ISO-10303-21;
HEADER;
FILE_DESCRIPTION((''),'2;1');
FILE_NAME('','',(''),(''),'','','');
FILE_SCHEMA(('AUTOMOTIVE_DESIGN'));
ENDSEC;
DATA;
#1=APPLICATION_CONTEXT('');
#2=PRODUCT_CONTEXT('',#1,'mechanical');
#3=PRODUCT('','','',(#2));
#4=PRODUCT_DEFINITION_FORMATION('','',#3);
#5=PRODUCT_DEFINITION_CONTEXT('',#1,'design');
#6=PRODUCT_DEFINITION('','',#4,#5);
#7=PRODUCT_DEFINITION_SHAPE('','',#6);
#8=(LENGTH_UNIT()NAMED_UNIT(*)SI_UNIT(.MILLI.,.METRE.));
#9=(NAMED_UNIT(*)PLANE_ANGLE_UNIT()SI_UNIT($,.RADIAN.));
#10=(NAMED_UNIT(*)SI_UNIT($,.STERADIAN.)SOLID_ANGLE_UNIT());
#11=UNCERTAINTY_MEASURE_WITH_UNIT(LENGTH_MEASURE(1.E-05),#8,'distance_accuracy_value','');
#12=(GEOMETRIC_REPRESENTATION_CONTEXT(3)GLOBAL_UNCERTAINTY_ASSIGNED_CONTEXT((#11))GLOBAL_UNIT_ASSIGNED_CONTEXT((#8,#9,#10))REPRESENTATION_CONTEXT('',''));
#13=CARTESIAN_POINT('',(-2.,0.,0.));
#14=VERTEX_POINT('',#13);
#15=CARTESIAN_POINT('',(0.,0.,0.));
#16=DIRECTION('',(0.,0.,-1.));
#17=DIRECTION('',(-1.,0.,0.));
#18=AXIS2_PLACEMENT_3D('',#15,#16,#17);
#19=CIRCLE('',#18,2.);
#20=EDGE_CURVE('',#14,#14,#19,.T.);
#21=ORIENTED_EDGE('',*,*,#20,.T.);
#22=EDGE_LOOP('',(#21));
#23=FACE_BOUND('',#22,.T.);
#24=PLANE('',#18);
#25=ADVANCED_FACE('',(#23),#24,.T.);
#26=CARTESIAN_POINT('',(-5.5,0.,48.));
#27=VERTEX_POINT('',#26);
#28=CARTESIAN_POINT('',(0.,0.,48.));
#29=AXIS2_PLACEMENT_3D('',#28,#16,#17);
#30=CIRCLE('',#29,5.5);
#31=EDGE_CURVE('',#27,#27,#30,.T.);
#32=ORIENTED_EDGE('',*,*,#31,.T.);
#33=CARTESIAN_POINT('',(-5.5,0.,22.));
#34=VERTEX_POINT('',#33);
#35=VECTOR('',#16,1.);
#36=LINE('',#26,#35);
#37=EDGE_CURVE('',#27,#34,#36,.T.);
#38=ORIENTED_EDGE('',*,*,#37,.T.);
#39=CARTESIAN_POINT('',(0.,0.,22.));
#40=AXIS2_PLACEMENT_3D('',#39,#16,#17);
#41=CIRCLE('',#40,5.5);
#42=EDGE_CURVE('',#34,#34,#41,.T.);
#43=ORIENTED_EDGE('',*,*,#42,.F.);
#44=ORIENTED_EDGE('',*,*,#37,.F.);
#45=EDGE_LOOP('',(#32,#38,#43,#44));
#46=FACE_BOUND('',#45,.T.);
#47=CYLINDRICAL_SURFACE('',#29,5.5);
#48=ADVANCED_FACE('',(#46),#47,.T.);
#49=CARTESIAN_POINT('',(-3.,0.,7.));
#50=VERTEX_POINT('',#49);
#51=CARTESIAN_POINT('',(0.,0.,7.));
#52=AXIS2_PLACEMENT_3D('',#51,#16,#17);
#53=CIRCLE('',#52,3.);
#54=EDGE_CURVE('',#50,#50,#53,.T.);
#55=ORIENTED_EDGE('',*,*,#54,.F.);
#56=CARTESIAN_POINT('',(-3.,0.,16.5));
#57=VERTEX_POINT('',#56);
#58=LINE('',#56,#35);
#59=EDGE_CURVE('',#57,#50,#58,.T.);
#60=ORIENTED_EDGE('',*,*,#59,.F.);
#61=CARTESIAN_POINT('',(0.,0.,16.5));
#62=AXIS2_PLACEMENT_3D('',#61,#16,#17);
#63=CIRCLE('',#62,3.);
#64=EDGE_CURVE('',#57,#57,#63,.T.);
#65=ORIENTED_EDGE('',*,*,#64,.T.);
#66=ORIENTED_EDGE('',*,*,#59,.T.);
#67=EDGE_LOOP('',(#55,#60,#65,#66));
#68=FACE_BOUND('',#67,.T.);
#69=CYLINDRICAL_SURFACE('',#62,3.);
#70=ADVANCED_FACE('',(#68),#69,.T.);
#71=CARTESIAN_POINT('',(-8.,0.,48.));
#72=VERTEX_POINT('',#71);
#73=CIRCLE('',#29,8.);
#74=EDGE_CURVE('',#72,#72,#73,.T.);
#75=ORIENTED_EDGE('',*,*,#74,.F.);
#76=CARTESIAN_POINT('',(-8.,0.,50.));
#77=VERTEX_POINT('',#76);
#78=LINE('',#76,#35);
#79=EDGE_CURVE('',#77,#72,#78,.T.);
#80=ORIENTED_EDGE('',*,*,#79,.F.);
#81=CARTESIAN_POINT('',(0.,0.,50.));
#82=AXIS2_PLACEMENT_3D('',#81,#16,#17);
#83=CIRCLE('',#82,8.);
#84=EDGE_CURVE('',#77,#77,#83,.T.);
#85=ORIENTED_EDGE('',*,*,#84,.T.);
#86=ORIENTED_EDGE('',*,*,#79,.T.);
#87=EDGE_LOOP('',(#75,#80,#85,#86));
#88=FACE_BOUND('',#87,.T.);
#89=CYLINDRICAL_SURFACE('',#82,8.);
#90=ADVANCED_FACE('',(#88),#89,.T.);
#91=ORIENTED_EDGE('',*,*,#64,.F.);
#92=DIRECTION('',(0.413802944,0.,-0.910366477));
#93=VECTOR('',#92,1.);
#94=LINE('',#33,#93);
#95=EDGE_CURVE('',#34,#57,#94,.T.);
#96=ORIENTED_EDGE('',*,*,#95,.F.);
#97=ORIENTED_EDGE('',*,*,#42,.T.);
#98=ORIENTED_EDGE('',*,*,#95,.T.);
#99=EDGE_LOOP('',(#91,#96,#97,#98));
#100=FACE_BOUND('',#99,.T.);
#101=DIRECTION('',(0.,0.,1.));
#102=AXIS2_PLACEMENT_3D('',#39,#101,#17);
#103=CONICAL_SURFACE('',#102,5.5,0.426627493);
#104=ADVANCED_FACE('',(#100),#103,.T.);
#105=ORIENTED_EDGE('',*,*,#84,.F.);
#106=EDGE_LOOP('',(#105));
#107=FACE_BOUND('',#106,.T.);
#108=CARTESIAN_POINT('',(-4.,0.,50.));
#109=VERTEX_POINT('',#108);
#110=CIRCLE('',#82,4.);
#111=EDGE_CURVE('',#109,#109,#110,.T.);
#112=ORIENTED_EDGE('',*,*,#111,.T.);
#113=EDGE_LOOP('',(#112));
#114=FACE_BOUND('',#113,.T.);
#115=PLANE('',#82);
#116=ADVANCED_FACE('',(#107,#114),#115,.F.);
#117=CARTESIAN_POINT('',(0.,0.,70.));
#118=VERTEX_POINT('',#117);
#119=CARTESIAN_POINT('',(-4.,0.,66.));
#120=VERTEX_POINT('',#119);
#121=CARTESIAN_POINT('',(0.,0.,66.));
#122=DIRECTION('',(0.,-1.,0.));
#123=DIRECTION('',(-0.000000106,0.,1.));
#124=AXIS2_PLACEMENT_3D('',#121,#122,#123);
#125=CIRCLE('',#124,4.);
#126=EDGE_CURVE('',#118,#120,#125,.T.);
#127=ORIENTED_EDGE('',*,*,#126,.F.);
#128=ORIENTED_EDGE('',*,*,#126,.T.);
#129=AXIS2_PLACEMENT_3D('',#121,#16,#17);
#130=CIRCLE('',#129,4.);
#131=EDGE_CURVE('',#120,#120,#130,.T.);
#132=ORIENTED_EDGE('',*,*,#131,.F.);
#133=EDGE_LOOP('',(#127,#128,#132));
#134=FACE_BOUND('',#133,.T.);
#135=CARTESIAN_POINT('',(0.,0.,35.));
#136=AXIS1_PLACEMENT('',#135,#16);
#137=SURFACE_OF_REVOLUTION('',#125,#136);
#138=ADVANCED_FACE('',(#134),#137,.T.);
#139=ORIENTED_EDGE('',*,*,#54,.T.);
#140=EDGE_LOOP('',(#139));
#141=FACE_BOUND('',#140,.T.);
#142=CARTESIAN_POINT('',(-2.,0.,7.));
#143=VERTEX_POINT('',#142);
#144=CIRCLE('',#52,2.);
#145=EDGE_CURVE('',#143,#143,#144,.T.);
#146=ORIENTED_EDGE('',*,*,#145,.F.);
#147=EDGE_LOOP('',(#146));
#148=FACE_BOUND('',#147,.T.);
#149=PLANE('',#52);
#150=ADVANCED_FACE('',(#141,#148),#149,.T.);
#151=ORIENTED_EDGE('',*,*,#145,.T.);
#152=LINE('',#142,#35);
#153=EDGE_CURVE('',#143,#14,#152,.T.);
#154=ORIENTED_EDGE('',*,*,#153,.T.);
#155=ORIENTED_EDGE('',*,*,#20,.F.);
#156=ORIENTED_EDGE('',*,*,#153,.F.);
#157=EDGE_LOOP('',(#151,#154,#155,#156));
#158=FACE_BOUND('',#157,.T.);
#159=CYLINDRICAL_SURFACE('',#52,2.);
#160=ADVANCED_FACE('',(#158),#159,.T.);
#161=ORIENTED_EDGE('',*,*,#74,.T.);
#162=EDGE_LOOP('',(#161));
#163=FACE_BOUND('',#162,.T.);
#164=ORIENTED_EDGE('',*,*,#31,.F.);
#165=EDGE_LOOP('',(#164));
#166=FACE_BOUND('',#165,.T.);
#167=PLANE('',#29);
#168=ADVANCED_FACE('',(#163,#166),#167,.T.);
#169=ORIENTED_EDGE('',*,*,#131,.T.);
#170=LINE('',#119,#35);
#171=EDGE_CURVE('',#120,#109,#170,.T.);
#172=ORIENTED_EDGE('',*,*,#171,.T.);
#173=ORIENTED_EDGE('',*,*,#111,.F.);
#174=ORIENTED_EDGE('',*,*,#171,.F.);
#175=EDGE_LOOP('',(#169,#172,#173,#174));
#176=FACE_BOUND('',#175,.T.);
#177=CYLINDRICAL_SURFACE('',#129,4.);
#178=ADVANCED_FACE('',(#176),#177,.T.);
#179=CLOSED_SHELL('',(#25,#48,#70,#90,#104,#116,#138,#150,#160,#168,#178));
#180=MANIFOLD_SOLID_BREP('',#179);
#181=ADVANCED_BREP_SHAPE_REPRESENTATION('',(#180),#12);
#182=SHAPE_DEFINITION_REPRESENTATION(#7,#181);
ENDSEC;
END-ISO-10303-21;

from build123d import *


with BuildPart() as f1:
    # F0 (on Front) → F1 (revolve)
    with BuildSketch(Plane.XZ):
        with BuildLine():
            Line((-2, 7), (-2, 0))
            Line((-2, 0), (0, 0))
            Line((0, 0), (0, 70))
            ThreePointArc((0, 70), (-2.828427, 68.828427), (-4, 66))
            Line((-4, 66), (-4, 50))
            Line((-4, 50), (-8, 50))
            Line((-8, 50), (-8, 48))
            Line((-8, 48), (-5.5, 48))
            Line((-5.5, 48), (-5.5, 22))
            Line((-5.5, 22), (-3, 16.5))
            Line((-3, 16.5), (-3, 7))
            Line((-3, 7), (-2, 7))
        make_face()
    revolve(axis=Axis((0, 0, 35), (0, 0, -1)))


solid = f1.part
